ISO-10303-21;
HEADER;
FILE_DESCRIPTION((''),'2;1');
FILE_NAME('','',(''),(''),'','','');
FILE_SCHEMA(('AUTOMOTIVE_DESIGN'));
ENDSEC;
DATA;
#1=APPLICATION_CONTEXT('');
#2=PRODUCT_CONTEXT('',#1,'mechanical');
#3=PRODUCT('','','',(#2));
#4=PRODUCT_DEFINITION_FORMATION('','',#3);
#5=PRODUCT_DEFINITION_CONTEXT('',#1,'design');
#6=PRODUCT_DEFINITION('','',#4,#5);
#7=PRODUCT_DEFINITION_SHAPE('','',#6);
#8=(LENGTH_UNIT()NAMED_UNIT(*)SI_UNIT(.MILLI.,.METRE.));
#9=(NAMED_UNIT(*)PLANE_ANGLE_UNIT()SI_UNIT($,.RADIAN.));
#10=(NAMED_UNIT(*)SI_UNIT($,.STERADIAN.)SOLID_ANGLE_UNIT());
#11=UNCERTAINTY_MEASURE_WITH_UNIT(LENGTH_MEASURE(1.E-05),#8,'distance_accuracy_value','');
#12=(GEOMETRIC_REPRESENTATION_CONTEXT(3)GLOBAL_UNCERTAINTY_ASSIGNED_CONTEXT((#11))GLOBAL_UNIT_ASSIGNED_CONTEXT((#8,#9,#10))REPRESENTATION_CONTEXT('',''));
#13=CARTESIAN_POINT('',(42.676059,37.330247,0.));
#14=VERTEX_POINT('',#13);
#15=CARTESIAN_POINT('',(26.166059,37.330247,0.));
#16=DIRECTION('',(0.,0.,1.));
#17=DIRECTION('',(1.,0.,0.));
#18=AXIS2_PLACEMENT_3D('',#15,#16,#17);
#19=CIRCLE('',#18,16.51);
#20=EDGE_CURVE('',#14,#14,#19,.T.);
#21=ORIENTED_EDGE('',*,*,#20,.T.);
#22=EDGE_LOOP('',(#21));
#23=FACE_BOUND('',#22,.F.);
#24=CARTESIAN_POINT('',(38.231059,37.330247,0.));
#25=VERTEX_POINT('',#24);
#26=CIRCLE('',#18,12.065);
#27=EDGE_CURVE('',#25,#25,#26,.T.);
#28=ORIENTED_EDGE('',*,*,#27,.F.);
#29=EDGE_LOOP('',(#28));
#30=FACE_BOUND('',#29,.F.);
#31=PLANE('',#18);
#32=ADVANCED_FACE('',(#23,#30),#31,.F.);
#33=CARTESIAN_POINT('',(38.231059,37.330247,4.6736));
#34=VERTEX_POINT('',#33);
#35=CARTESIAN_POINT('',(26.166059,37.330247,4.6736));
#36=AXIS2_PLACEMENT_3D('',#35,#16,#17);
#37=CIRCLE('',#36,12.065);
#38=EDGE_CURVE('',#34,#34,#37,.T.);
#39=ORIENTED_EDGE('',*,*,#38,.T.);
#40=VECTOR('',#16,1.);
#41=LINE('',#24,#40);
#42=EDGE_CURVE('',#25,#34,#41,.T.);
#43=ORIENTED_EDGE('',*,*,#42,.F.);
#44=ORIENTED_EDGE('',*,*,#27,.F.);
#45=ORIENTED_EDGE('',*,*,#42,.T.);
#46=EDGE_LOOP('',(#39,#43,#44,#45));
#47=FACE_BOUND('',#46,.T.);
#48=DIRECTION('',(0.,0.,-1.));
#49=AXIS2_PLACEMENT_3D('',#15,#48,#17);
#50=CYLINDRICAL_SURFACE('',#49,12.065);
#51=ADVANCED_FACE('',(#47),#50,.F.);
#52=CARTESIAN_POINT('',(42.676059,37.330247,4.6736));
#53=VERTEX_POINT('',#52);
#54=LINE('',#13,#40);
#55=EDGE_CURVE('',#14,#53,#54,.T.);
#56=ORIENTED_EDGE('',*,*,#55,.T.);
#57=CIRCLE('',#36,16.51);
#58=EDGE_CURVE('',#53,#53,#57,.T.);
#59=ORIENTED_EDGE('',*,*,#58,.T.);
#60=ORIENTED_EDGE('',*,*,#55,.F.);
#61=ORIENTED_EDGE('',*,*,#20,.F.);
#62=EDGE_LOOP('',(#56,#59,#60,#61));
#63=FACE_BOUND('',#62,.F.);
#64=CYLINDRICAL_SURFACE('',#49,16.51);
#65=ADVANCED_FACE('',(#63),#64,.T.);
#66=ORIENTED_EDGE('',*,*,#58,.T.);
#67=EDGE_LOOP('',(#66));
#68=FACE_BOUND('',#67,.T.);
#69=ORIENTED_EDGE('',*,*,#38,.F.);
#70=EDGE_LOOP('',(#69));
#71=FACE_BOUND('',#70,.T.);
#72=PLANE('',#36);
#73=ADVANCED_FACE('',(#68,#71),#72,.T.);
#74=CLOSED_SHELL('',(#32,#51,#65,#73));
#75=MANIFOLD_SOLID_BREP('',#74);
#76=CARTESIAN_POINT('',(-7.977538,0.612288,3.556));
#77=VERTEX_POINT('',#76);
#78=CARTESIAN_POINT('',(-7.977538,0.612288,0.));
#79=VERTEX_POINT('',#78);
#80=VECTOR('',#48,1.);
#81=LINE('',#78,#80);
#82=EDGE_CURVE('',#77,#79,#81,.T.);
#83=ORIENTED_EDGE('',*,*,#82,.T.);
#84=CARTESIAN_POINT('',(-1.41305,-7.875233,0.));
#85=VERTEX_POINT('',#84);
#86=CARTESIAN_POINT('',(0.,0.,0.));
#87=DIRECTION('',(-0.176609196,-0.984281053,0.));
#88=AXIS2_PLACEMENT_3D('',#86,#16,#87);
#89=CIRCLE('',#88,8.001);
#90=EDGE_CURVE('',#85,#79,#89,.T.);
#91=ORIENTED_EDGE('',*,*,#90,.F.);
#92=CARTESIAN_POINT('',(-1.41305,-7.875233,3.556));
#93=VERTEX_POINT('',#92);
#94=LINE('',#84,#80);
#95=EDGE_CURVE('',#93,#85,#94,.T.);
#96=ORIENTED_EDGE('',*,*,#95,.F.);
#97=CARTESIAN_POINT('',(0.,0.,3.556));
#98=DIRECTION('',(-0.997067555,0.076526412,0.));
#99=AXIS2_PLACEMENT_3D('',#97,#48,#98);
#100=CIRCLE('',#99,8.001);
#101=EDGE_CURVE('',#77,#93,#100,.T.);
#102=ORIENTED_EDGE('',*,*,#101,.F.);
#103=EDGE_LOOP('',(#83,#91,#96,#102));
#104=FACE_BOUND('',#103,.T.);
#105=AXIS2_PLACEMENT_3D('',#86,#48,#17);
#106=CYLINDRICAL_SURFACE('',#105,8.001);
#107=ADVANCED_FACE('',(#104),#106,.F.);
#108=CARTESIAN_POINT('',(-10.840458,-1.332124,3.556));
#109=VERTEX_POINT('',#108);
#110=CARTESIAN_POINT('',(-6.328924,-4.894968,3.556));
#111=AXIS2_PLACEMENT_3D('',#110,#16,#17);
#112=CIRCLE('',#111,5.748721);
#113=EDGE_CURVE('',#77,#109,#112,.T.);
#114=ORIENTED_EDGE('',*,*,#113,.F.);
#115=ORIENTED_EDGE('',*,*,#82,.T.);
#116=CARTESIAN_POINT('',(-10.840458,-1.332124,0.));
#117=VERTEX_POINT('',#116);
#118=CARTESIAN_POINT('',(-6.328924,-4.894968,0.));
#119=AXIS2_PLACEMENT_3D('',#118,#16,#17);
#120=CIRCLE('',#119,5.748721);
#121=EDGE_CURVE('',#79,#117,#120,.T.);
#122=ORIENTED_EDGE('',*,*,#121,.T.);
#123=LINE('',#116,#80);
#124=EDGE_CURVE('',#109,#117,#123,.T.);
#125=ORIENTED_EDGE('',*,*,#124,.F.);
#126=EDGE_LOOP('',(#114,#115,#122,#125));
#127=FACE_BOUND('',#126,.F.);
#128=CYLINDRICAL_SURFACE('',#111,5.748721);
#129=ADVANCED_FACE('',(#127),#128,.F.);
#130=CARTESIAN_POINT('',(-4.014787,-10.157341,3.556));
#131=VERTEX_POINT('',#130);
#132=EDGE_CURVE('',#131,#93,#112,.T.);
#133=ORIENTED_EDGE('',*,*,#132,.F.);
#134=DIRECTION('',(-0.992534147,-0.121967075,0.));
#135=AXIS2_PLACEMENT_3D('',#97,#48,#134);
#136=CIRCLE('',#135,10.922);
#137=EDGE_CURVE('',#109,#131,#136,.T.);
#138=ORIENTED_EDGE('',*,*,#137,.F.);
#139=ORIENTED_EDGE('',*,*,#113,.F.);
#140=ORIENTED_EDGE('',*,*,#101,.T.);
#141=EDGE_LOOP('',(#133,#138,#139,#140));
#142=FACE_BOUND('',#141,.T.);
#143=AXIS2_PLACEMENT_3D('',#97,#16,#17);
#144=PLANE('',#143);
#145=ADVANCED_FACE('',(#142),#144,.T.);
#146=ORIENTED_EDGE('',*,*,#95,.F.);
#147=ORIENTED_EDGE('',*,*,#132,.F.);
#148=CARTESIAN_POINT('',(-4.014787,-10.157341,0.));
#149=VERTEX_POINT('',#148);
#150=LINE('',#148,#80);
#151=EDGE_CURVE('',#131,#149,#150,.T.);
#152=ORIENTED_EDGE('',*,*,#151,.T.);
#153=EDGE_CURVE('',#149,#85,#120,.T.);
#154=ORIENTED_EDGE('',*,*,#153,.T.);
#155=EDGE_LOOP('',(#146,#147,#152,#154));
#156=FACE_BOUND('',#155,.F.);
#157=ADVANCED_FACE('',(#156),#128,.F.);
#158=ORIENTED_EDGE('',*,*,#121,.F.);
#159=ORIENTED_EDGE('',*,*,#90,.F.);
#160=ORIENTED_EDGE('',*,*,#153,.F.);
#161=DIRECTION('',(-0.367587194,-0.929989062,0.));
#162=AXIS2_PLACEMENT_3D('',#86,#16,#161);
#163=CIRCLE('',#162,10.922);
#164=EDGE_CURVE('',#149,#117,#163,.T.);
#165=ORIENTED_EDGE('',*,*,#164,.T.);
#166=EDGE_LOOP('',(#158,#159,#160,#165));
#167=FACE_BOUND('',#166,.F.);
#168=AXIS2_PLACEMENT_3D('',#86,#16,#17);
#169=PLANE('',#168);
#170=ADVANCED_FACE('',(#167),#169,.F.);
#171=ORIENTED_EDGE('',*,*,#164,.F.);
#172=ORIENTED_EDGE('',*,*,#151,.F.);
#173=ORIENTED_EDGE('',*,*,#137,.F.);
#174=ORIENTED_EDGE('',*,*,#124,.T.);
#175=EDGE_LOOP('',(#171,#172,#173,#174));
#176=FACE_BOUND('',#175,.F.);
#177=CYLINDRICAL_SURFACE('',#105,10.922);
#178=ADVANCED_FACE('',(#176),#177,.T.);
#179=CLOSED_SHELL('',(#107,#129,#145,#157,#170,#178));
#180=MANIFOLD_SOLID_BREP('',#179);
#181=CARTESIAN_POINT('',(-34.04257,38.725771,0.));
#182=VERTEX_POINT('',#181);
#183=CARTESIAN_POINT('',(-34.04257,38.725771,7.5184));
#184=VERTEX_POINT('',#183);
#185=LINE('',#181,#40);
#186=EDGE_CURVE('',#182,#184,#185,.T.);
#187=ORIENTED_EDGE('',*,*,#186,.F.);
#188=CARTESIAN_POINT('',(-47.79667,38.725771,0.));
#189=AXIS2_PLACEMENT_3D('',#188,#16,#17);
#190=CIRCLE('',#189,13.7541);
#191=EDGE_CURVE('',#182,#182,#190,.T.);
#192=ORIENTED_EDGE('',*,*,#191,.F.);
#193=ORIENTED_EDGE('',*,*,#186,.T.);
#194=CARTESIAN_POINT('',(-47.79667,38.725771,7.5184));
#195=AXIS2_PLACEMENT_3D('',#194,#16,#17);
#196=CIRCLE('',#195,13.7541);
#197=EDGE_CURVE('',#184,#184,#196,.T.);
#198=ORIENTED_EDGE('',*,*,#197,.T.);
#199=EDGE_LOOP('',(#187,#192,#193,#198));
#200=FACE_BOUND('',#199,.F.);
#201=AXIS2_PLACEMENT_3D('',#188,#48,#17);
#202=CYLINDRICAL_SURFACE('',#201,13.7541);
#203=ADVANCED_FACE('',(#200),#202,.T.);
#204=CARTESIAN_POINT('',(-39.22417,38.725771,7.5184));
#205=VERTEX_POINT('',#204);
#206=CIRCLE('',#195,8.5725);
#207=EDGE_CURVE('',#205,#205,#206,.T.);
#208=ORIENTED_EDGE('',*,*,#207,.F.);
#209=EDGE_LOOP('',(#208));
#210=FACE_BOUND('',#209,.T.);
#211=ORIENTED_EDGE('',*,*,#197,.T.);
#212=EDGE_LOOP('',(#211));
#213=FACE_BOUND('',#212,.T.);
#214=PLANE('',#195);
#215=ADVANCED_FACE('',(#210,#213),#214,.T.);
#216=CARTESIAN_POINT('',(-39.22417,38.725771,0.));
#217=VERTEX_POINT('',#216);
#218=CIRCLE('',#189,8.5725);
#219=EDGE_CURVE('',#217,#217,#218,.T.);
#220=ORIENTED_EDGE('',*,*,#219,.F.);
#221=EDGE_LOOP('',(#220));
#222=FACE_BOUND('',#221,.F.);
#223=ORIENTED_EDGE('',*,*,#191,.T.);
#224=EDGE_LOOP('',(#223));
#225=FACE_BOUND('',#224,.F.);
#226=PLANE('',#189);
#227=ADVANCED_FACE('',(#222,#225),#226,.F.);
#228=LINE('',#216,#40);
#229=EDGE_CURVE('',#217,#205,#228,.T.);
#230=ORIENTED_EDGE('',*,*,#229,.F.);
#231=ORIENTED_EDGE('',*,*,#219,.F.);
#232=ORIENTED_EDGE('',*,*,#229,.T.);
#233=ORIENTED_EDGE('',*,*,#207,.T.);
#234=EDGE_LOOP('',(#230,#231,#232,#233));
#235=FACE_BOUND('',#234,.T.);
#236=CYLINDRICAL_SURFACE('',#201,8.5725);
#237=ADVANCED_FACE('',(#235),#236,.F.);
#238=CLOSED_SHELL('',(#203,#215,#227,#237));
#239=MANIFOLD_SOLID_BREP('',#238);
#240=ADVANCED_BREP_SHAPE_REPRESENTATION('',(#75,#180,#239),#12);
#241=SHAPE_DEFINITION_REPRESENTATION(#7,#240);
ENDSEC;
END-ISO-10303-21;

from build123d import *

# Parameters (mm, degrees)
F0_R     = 10.922
F0_R_2   = 8.001
F1_DEPTH = 3.556
F2_R     = 5.748721
F3_DEPTH = 4.699
F4_R     = 13.7541
F4_R_2   = 8.5725
F5_DEPTH = 7.5184
F6_R     = 16.51
F6_R_2   = 12.065
F7_DEPTH = 4.6736


with BuildPart() as f1:
    # F0 (on Top) → F1 (new body)
    with BuildSketch(Plane.XY):
        Circle(F0_R)
        Circle(F0_R_2, mode=Mode.SUBTRACT)
    extrude(amount=F1_DEPTH)

    # F2 (on face) → F3 (cut)
    with BuildSketch(Plane.XY.offset(3.556)):
        with Locations((-6.328924, -4.894968)):
            Circle(F2_R)
    extrude(amount=-F3_DEPTH, mode=Mode.SUBTRACT)


with BuildPart() as f5:
    # F4 (on Top) → F5 (new body)
    with BuildSketch(Plane.XY):
        with Locations((-47.79667, 38.725771)):
            Circle(F4_R)
        with Locations((-47.79667, 38.725771)):
            Circle(F4_R_2, mode=Mode.SUBTRACT)
    extrude(amount=F5_DEPTH)


with BuildPart() as f7:
    # F6 (on Top) → F7 (new body)
    with BuildSketch(Plane.XY):
        with Locations((26.166059, 37.330247)):
            Circle(F6_R)
        with Locations((26.166059, 37.330247)):
            Circle(F6_R_2, mode=Mode.SUBTRACT)
    extrude(amount=F7_DEPTH)


solid = Compound([f1.part, f5.part, f7.part])
